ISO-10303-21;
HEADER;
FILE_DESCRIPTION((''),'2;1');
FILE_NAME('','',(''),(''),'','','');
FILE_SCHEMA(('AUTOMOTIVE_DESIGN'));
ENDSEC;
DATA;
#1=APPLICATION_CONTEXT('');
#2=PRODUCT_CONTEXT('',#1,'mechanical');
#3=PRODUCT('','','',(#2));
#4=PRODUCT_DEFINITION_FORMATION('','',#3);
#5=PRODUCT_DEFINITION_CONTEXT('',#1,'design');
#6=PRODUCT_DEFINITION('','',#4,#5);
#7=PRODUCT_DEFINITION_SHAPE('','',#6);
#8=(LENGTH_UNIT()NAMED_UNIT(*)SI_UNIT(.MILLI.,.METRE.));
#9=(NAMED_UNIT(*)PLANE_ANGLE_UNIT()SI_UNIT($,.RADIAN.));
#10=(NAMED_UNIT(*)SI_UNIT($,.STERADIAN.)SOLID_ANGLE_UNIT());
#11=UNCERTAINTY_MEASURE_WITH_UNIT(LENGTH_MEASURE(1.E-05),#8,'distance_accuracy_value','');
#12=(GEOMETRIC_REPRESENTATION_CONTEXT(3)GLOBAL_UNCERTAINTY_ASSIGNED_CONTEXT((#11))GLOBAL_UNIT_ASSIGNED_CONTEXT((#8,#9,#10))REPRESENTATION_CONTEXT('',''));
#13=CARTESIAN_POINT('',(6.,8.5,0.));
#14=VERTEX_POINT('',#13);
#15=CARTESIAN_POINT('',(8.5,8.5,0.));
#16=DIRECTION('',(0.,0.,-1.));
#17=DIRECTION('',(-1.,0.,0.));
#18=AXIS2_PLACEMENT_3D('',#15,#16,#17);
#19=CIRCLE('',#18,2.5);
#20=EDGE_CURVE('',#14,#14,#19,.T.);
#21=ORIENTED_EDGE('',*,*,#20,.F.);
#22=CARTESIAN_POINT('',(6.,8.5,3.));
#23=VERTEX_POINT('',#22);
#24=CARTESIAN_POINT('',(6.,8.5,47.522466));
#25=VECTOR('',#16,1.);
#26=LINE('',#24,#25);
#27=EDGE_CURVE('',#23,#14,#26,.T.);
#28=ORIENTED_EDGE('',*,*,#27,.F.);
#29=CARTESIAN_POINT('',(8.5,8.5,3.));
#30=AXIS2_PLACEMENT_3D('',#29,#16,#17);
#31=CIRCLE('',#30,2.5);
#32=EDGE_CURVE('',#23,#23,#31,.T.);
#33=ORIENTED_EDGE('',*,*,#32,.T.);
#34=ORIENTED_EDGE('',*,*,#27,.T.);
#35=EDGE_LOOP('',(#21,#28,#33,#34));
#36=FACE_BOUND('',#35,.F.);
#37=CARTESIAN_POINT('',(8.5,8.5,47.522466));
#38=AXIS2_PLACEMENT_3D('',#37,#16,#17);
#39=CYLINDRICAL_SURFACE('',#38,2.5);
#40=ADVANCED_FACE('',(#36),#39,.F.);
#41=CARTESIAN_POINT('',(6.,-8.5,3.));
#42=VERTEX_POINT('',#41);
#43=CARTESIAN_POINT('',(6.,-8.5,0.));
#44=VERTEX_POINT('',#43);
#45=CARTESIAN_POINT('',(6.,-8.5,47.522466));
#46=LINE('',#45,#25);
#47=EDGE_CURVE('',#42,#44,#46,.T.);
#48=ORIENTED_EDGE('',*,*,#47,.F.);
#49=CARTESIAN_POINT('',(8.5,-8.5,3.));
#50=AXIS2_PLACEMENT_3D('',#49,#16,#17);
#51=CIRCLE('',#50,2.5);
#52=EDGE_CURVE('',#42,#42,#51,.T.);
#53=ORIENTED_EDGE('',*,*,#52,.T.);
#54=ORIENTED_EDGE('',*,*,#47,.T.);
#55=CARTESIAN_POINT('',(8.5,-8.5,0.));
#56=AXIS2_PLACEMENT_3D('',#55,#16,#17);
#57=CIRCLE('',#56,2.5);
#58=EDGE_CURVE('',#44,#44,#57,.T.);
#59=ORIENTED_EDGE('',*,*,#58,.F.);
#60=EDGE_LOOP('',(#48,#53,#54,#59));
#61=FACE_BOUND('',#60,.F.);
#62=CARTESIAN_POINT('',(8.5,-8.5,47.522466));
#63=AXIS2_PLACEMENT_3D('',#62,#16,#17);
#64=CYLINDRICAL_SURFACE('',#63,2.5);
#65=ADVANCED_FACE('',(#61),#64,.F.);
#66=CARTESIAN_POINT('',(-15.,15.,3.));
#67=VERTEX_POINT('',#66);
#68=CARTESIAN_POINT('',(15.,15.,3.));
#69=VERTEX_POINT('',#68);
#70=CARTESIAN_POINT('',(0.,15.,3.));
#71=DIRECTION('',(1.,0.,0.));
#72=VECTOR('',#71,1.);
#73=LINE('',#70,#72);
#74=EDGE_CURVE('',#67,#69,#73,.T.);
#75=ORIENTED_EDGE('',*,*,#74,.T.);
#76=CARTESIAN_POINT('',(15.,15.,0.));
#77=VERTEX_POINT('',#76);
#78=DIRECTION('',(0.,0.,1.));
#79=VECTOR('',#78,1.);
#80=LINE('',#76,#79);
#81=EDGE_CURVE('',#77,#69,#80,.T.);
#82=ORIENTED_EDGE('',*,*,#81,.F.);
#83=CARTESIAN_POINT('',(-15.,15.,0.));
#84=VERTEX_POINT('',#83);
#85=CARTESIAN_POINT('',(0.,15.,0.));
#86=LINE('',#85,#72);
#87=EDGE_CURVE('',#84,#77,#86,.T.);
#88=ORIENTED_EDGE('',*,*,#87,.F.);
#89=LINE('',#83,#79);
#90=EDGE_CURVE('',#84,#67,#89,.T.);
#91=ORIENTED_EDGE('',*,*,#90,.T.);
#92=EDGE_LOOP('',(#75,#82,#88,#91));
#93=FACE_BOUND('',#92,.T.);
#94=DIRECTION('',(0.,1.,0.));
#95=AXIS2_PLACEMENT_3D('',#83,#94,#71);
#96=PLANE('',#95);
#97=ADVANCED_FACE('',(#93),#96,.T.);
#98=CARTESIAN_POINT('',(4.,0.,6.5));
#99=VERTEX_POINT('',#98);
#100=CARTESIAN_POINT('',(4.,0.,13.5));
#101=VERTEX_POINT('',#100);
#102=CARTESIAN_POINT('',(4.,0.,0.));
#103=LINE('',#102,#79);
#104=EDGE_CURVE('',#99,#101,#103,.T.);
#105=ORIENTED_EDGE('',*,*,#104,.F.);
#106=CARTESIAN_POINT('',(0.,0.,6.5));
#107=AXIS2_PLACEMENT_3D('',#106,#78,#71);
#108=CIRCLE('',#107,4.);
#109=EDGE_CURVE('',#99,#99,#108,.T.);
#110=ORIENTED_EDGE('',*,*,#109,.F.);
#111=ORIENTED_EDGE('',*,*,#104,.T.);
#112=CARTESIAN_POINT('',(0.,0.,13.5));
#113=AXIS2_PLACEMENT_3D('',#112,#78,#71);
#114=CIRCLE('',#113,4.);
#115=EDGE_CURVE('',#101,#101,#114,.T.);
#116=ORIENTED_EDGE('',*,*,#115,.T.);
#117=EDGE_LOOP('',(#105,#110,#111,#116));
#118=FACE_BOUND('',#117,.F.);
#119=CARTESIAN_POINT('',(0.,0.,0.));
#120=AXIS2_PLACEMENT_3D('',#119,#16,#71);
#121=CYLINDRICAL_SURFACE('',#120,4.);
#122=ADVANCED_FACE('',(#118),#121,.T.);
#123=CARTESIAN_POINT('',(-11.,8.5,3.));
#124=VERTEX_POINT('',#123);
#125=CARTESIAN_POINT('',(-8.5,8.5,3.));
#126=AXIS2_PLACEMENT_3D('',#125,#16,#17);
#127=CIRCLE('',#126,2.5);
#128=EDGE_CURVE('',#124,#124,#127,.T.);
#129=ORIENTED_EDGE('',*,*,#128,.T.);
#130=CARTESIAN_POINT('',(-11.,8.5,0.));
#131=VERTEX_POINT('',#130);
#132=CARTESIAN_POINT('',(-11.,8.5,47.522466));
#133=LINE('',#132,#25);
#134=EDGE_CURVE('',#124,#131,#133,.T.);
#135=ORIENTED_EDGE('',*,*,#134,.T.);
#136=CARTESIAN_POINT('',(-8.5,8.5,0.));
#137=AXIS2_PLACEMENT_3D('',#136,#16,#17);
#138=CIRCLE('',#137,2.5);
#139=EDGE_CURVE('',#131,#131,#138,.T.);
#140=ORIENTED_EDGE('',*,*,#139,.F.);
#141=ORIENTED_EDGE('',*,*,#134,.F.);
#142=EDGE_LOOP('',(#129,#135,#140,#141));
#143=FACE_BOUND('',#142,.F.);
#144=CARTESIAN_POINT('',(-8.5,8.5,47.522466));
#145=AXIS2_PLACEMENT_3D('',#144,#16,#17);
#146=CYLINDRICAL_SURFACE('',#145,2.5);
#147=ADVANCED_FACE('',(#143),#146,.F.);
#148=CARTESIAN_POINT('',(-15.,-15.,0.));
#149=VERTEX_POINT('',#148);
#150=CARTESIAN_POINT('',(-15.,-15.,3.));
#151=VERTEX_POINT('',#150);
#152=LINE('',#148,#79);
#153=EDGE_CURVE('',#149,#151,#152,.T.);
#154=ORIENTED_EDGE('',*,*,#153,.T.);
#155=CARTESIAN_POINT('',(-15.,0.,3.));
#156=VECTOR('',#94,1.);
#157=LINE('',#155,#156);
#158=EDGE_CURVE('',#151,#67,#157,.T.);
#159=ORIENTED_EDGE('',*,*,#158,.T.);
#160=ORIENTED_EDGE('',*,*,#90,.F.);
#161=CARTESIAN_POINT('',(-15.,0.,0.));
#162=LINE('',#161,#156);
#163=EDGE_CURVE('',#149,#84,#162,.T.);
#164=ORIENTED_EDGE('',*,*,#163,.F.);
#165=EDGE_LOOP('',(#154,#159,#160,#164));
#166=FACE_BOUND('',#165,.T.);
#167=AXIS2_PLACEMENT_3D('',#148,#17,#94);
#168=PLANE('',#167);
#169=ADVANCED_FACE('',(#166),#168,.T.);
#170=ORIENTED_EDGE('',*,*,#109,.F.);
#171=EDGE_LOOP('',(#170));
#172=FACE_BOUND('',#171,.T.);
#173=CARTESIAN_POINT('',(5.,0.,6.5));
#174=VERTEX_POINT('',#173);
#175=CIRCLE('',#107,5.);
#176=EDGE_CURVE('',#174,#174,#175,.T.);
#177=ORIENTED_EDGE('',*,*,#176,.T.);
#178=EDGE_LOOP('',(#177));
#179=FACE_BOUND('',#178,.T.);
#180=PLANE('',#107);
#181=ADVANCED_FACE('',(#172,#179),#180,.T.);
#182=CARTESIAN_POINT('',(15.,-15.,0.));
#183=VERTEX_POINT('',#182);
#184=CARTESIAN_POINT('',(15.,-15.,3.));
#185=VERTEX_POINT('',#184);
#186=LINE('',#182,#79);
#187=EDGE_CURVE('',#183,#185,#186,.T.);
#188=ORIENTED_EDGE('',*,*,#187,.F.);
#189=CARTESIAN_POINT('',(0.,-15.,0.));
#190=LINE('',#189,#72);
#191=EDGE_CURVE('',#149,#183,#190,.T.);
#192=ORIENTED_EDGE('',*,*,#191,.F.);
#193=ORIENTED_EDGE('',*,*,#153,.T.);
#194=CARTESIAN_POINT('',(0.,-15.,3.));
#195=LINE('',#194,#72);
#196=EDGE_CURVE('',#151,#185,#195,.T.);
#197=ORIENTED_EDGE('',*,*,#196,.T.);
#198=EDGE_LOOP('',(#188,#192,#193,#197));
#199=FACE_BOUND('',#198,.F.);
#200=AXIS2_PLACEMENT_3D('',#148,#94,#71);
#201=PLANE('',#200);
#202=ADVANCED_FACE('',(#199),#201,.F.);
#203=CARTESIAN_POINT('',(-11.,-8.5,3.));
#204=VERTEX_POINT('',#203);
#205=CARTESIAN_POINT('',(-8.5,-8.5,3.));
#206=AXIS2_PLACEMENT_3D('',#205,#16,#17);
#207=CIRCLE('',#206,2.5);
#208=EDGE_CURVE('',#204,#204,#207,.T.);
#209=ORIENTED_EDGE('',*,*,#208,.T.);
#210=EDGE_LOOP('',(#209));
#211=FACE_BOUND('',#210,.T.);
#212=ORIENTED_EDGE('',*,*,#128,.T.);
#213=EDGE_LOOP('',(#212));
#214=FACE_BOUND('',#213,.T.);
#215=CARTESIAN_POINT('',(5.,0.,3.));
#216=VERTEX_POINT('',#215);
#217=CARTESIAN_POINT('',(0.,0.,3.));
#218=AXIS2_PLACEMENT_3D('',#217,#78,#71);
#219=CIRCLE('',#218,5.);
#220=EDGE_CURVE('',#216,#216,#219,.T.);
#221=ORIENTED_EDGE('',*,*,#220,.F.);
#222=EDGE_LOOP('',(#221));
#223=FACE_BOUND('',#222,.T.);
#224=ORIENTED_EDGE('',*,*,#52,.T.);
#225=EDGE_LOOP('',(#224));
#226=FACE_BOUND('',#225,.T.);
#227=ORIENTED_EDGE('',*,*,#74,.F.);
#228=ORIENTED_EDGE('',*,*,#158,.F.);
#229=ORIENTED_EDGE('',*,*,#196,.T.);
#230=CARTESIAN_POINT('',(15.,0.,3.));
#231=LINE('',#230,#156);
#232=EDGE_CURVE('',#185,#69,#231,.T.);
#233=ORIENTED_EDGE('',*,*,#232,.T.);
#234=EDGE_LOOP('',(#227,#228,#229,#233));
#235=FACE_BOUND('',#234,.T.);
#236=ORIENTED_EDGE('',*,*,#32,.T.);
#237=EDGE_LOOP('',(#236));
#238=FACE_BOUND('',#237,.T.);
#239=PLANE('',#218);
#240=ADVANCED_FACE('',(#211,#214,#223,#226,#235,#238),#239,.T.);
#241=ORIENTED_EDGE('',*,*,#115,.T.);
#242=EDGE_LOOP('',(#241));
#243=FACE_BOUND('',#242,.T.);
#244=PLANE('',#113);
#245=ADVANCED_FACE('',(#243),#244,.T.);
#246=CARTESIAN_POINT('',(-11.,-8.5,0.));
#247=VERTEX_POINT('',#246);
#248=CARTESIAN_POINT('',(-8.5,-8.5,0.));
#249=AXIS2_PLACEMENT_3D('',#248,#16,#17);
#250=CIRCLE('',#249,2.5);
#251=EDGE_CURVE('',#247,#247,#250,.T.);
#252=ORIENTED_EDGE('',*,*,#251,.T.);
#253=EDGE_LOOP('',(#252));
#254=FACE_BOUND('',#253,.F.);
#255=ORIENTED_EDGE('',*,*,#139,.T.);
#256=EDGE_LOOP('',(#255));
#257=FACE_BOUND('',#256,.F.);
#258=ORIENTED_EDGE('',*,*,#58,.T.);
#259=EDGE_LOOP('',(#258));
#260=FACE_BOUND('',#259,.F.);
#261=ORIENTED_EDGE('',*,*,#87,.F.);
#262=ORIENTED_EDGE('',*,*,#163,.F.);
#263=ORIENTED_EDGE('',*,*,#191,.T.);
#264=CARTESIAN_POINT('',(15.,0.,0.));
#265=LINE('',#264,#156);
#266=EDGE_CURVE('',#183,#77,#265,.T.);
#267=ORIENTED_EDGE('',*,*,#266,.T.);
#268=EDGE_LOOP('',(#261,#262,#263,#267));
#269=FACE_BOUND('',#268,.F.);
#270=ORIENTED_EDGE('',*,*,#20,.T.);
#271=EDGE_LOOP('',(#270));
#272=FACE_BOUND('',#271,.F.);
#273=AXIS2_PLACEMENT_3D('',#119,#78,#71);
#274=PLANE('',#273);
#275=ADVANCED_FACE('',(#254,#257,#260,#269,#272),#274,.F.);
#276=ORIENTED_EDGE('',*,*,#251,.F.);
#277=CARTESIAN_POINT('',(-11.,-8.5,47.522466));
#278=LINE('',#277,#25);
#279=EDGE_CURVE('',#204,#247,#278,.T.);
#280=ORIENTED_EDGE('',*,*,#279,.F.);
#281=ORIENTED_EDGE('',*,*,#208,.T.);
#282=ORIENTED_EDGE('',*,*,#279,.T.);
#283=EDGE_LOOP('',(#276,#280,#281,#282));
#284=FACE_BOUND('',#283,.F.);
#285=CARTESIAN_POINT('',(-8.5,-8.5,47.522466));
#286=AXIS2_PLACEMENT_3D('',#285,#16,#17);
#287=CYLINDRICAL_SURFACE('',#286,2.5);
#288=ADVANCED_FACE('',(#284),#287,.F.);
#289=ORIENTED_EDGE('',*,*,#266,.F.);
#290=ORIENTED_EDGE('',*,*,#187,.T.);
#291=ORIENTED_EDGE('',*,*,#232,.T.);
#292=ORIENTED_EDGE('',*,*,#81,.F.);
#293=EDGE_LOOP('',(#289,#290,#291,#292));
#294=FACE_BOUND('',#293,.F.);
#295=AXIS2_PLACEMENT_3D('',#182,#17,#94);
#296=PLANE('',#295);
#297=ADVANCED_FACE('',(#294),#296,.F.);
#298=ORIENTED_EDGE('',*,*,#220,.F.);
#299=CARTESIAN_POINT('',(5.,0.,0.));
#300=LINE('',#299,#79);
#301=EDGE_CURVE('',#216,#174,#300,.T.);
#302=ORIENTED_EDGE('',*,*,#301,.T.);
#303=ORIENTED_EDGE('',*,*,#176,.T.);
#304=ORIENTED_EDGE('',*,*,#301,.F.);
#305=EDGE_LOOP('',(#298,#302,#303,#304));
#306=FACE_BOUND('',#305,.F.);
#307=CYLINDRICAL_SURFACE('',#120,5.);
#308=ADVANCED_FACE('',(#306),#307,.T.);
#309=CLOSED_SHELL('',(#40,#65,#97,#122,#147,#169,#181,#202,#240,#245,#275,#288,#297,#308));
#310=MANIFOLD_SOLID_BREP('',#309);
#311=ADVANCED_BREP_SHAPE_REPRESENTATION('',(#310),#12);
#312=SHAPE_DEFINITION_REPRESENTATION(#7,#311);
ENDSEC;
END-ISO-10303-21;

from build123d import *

# Parameters (mm, degrees)
F0_W     = 30
F0_H     = 30
F0_R     = 5
F1_DEPTH = 3
F0_R_2   = 4
F2_DEPTH = 6.5
F3_DEPTH = 13.5
F5_D     = 5


with BuildPart() as f1:
    # F0 (on Top) → F1 (new body)
    with BuildSketch(Plane.XY):
        Rectangle(F0_W, F0_H)
        Circle(F0_R, mode=Mode.SUBTRACT)
    extrude(amount=F1_DEPTH)

    # F0 (on Top) → F2 (join)
    with BuildSketch(Plane.XY):
        Circle(F0_R)
        Circle(F0_R_2, mode=Mode.SUBTRACT)
    extrude(amount=F2_DEPTH)

    # F0 (on Top) → F3 (join)
    with BuildSketch(Plane.XY):
        Circle(F0_R_2)
    extrude(amount=F3_DEPTH)

    # F5 (through all)
    with Locations(Plane.XY.offset(3)):
        with Locations((8.5, 8.5), (-8.5, 8.5), (-8.5, -8.5), (8.5, -8.5)):
            Hole(F5_D / 2)


with BuildPart() as f6_1:
    # F6: copy of F1
    add(f1.part.moved(Location((50, 0, 0))))


solid = f1.part
